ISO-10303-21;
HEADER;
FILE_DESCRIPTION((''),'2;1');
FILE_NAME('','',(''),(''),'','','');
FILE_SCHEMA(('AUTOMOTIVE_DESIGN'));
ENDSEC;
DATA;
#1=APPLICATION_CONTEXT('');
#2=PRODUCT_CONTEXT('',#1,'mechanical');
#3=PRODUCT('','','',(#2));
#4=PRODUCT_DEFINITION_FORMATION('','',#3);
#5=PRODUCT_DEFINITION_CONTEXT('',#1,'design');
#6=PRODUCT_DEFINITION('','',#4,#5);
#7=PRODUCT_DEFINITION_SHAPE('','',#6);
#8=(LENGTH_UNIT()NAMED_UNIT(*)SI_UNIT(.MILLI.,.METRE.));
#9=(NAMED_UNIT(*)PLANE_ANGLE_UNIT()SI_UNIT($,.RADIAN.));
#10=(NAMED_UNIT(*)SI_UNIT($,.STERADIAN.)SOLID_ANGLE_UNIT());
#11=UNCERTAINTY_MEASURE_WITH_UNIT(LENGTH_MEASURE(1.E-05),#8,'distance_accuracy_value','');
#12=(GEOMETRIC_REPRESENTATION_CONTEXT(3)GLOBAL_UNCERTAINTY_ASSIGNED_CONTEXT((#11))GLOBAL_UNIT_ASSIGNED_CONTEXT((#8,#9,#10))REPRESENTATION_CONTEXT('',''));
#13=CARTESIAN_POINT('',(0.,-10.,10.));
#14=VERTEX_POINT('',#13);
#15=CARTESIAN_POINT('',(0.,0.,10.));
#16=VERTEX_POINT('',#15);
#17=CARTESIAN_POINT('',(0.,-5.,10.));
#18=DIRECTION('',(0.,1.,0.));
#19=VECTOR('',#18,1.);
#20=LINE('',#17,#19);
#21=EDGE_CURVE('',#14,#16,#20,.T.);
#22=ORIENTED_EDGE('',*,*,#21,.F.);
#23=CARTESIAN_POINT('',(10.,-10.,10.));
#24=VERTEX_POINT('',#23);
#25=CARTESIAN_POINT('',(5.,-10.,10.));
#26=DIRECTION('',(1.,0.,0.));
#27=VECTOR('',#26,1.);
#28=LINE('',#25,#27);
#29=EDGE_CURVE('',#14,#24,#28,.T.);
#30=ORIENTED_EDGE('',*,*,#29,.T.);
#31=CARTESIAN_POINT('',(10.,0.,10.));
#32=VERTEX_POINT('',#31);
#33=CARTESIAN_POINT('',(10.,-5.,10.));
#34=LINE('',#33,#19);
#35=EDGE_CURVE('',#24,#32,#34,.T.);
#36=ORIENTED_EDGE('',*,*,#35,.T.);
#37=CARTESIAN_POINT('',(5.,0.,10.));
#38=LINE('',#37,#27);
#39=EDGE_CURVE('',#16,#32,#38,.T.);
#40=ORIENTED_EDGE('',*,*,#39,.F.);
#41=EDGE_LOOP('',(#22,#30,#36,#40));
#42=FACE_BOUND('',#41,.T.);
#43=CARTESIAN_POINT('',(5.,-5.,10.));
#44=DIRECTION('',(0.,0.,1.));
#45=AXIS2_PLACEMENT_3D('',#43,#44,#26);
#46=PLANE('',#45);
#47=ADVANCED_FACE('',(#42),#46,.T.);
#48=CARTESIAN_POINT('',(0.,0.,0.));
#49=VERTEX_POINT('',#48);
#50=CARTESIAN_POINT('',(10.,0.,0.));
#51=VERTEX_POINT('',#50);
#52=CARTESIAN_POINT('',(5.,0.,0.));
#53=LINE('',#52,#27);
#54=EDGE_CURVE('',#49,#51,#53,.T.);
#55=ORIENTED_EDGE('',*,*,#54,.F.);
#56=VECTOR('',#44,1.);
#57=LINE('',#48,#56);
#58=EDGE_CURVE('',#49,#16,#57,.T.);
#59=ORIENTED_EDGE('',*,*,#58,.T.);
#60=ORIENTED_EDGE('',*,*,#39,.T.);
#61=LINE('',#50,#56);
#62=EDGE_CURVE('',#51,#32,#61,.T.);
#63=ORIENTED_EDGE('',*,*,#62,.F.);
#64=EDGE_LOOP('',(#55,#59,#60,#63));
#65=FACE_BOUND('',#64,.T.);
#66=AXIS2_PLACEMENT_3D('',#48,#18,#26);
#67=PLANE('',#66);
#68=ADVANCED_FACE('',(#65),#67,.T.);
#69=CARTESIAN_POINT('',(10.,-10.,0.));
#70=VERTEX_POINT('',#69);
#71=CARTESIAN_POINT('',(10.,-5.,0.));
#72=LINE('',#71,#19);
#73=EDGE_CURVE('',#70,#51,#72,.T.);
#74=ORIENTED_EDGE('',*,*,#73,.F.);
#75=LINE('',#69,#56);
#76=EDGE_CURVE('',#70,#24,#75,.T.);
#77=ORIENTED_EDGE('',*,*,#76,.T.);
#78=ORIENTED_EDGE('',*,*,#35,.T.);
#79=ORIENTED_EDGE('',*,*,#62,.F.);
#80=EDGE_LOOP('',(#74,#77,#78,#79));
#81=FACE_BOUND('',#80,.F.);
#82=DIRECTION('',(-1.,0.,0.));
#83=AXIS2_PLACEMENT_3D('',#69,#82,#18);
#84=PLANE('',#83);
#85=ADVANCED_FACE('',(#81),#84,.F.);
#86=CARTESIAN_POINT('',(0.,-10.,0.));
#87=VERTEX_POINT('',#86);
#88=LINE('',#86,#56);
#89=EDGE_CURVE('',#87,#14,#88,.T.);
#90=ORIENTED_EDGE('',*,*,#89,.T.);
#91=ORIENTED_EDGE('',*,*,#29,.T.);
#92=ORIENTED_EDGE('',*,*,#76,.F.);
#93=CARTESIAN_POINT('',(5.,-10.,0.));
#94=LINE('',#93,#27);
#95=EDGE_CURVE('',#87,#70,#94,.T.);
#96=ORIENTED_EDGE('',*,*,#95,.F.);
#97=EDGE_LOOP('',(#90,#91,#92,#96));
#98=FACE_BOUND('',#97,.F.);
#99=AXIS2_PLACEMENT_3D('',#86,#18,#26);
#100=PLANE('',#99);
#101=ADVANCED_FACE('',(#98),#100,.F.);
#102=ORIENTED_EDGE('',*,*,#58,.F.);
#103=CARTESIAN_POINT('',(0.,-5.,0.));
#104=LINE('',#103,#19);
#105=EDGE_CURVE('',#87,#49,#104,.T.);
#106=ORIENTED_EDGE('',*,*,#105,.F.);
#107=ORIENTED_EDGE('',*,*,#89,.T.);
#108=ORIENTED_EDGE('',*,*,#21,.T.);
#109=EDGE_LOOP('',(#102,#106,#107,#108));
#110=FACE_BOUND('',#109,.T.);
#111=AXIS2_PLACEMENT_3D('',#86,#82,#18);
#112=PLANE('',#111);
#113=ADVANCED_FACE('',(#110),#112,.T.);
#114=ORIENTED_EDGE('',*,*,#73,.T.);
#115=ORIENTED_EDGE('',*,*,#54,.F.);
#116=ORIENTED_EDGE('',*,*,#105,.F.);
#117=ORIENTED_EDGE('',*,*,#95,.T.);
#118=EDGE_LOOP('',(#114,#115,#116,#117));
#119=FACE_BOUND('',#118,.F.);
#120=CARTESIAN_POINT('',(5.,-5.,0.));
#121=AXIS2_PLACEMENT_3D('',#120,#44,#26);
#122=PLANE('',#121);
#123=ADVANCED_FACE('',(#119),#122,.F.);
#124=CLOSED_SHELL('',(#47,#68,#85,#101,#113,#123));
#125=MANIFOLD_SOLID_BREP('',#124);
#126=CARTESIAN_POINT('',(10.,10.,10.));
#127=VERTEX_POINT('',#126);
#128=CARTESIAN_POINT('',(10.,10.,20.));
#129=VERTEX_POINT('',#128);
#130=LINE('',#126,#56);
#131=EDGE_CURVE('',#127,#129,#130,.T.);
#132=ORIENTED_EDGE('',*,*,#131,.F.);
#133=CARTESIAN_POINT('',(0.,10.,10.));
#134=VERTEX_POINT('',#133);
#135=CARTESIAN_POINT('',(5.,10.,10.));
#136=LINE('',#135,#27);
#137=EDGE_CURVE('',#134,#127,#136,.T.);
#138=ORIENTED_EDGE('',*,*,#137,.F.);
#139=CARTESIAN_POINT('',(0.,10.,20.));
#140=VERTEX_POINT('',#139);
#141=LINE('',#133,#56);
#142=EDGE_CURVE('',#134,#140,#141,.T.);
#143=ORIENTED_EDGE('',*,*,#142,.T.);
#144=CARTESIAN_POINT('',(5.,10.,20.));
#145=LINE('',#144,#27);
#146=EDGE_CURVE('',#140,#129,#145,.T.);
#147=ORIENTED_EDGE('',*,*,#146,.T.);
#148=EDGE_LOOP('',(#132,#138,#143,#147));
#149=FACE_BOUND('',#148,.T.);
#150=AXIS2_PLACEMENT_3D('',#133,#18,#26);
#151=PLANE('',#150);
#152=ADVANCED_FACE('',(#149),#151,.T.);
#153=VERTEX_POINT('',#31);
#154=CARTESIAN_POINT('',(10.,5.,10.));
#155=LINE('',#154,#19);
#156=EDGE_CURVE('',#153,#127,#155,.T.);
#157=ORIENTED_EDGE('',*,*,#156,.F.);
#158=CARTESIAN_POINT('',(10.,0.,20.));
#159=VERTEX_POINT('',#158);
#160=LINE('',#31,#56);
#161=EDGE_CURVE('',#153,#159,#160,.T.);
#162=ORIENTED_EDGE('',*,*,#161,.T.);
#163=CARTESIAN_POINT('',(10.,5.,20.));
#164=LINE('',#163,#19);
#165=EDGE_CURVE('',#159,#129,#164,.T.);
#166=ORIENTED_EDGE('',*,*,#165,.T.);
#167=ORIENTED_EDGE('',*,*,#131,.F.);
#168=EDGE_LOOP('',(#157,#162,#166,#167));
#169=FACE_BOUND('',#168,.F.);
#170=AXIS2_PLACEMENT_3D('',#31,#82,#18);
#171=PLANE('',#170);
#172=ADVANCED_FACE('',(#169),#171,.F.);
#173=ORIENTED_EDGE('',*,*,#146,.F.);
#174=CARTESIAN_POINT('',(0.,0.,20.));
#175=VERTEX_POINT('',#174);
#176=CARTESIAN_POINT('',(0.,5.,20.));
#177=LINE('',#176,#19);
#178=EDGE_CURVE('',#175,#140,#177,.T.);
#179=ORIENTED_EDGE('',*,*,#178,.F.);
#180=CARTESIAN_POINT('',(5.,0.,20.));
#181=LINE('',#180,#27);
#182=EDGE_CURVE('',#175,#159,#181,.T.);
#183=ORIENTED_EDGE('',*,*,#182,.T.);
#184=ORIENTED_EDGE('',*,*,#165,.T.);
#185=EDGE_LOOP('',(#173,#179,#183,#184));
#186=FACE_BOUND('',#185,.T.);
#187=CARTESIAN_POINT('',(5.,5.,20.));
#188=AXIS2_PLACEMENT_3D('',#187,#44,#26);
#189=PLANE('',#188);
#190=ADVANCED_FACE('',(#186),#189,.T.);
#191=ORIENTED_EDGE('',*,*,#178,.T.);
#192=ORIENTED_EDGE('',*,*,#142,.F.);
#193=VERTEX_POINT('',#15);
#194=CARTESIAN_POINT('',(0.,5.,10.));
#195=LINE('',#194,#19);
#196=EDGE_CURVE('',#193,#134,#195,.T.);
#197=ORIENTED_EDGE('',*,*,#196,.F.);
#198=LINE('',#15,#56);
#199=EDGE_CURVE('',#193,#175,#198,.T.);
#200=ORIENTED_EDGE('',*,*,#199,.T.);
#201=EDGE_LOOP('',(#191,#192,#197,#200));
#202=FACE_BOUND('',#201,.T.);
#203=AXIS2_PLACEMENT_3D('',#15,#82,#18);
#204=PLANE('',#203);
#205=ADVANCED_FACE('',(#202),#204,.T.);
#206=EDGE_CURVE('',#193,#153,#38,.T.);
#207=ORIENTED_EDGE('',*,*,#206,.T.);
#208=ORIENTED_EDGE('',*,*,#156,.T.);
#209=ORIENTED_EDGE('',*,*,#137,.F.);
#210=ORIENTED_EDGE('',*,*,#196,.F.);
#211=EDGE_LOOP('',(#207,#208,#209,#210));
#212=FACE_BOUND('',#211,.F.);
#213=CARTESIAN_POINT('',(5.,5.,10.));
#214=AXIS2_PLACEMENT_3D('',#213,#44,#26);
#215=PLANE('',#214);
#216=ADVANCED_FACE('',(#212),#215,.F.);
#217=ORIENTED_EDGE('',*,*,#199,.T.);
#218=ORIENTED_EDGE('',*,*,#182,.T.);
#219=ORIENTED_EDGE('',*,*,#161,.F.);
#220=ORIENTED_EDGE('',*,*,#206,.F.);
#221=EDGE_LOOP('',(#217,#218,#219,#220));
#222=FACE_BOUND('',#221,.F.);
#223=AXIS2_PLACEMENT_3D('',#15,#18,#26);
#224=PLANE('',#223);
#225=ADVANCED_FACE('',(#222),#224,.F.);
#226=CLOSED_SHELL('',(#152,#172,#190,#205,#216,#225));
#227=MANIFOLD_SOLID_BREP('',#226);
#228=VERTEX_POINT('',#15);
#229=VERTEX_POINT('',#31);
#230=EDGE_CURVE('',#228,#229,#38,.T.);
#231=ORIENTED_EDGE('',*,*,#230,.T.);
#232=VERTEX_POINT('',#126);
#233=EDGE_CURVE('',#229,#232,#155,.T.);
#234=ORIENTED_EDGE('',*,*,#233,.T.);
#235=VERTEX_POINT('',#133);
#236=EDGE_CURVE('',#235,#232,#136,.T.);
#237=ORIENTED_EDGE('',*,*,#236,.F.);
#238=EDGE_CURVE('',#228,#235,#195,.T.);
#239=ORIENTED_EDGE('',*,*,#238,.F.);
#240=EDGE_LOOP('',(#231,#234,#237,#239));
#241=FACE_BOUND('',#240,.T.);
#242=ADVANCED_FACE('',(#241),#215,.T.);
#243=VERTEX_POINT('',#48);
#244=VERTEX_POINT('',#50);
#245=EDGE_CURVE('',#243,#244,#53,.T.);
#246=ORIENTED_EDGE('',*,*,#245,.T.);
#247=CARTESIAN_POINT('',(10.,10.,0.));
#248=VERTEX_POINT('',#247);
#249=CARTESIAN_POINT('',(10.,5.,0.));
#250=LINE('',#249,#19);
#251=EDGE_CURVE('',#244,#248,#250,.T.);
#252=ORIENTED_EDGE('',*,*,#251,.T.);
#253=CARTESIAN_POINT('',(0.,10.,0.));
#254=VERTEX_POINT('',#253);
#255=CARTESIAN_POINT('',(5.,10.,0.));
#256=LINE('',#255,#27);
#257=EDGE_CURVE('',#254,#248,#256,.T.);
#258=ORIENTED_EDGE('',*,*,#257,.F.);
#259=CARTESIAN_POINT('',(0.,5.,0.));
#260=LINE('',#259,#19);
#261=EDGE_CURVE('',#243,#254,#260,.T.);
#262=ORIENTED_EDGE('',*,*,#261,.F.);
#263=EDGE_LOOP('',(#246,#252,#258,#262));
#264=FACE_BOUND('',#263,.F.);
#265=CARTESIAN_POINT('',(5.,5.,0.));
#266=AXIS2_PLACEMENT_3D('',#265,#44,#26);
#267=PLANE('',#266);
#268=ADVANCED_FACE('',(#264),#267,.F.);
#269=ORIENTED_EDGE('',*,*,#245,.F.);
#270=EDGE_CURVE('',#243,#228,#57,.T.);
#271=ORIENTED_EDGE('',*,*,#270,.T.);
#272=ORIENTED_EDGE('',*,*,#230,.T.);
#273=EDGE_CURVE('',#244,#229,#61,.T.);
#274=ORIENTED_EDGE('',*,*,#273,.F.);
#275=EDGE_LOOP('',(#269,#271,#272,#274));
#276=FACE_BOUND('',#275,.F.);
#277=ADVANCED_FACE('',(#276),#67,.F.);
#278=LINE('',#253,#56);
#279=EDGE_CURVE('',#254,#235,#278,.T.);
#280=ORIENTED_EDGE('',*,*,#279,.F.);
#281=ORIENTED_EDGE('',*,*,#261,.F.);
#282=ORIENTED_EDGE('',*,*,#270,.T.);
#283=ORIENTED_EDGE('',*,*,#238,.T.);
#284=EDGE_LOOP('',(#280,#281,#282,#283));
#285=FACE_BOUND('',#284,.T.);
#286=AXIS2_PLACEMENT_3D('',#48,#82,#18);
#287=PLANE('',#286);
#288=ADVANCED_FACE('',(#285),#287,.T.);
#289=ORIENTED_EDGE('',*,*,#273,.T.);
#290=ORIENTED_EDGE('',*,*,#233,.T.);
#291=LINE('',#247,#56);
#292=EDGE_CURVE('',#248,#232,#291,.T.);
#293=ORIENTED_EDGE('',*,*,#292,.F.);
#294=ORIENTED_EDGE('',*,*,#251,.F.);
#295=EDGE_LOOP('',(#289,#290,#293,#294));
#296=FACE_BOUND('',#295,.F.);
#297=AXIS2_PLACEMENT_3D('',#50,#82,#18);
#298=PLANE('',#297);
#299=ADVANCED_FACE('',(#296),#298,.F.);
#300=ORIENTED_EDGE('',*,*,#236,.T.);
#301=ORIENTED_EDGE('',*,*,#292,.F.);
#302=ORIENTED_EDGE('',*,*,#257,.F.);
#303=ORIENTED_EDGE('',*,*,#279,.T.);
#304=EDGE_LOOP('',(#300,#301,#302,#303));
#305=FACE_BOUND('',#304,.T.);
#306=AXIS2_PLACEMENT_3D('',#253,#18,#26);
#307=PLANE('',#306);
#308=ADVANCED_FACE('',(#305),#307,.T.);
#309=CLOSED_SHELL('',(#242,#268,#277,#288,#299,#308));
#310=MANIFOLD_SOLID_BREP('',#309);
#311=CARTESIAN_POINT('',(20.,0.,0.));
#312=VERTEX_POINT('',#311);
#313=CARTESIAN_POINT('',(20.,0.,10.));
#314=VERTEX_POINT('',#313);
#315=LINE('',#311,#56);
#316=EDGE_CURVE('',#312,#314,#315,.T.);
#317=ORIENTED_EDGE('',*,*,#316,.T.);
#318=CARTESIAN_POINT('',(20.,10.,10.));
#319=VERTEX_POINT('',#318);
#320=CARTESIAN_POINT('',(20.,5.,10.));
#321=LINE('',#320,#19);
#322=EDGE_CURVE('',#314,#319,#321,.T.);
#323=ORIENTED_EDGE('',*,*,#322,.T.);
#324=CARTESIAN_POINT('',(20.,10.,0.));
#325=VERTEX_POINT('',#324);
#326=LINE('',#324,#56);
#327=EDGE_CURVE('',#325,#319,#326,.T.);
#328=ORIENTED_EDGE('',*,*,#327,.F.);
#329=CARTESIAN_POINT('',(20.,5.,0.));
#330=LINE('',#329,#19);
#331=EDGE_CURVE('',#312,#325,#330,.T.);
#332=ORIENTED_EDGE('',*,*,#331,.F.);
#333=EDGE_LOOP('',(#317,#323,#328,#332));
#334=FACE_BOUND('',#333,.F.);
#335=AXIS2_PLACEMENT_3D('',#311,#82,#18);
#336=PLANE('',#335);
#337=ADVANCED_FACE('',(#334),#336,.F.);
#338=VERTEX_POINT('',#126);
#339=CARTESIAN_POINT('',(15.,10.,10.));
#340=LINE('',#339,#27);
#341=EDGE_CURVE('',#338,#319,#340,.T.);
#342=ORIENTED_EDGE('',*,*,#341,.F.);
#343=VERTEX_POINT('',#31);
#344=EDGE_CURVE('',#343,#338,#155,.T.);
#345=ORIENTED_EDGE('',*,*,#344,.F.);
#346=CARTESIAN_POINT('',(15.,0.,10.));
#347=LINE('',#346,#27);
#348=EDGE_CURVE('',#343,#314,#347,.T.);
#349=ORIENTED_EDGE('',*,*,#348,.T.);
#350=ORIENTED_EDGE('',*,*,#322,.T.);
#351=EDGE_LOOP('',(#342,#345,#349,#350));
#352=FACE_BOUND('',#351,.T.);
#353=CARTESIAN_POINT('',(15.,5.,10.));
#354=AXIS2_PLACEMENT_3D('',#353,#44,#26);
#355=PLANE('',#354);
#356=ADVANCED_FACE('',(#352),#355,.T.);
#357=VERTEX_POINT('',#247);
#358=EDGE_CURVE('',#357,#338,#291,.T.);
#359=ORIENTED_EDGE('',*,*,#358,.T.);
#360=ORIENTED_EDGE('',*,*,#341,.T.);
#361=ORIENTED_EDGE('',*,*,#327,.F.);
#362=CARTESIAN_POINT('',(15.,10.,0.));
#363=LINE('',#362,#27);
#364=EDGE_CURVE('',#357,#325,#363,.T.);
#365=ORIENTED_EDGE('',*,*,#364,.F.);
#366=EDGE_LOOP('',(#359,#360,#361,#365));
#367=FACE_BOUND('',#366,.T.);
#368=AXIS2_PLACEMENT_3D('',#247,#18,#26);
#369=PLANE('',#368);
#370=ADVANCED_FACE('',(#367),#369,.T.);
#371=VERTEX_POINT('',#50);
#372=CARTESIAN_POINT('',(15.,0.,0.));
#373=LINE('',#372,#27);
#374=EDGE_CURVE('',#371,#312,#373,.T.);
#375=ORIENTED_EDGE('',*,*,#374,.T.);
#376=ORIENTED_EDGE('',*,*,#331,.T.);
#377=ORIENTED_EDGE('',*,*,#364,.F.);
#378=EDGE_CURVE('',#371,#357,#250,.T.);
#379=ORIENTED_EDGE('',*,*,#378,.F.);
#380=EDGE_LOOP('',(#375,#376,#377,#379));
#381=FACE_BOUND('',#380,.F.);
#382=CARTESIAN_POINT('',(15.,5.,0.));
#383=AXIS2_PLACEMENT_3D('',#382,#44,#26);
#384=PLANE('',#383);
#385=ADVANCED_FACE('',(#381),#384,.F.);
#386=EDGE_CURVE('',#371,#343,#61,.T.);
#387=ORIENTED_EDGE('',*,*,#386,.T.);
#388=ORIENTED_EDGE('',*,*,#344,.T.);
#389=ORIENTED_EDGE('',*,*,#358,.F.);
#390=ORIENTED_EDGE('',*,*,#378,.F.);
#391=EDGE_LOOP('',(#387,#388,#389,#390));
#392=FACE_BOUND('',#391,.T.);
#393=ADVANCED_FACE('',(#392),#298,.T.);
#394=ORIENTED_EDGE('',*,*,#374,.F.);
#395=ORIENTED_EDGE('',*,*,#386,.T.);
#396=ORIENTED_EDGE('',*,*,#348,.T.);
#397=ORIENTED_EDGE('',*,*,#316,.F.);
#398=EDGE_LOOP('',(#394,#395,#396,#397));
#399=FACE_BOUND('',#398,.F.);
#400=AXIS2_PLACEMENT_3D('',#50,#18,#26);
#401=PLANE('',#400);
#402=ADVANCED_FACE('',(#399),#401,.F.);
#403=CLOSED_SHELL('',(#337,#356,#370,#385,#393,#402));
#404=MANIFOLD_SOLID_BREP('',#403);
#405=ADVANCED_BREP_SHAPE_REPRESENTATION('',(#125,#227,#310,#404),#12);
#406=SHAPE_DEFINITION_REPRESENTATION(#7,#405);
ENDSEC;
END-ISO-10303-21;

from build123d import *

# Parameters (mm, degrees)
BOX_W        = 10
BOX_H        = 10
BOX_DEPTH    = 10
BOX001_W     = 10
BOX001_H     = 10
BOX001_DEPTH = 10
BOX002_W     = 10
BOX002_H     = 10
BOX002_DEPTH = 10
BOX003_W     = 10
BOX003_H     = 10
BOX003_DEPTH = 10


with BuildPart() as cub1_nivell1:
    # Box → Box (new body)
    with BuildSketch(Plane.XY):
        with Locations((5, 5)):
            Rectangle(BOX_W, BOX_H)
    extrude(amount=BOX_DEPTH)


with BuildPart() as cub2_nivell1:
    # Box001 → Box001 (new body)
    with BuildSketch(Plane(origin=(10, 0, 0), x_dir=(1, 0, 0), z_dir=(0, 0, 1))):
        with Locations((5, 5)):
            Rectangle(BOX001_W, BOX001_H)
    extrude(amount=BOX001_DEPTH)


with BuildPart() as cub3_nivell1:
    # Box002 → Box002 (new body)
    with BuildSketch(Plane(origin=(0, -10, 0), x_dir=(1, 0, 0), z_dir=(0, 0, 1))):
        with Locations((5, 5)):
            Rectangle(BOX002_W, BOX002_H)
    extrude(amount=BOX002_DEPTH)


with BuildPart() as cub1_nivell2:
    # Box003 → Box003 (new body)
    with BuildSketch(Plane.XY.offset(10)):
        with Locations((5, 5)):
            Rectangle(BOX003_W, BOX003_H)
    extrude(amount=BOX003_DEPTH)


solid = Compound([cub1_nivell1.part, cub2_nivell1.part, cub3_nivell1.part, cub1_nivell2.part])
